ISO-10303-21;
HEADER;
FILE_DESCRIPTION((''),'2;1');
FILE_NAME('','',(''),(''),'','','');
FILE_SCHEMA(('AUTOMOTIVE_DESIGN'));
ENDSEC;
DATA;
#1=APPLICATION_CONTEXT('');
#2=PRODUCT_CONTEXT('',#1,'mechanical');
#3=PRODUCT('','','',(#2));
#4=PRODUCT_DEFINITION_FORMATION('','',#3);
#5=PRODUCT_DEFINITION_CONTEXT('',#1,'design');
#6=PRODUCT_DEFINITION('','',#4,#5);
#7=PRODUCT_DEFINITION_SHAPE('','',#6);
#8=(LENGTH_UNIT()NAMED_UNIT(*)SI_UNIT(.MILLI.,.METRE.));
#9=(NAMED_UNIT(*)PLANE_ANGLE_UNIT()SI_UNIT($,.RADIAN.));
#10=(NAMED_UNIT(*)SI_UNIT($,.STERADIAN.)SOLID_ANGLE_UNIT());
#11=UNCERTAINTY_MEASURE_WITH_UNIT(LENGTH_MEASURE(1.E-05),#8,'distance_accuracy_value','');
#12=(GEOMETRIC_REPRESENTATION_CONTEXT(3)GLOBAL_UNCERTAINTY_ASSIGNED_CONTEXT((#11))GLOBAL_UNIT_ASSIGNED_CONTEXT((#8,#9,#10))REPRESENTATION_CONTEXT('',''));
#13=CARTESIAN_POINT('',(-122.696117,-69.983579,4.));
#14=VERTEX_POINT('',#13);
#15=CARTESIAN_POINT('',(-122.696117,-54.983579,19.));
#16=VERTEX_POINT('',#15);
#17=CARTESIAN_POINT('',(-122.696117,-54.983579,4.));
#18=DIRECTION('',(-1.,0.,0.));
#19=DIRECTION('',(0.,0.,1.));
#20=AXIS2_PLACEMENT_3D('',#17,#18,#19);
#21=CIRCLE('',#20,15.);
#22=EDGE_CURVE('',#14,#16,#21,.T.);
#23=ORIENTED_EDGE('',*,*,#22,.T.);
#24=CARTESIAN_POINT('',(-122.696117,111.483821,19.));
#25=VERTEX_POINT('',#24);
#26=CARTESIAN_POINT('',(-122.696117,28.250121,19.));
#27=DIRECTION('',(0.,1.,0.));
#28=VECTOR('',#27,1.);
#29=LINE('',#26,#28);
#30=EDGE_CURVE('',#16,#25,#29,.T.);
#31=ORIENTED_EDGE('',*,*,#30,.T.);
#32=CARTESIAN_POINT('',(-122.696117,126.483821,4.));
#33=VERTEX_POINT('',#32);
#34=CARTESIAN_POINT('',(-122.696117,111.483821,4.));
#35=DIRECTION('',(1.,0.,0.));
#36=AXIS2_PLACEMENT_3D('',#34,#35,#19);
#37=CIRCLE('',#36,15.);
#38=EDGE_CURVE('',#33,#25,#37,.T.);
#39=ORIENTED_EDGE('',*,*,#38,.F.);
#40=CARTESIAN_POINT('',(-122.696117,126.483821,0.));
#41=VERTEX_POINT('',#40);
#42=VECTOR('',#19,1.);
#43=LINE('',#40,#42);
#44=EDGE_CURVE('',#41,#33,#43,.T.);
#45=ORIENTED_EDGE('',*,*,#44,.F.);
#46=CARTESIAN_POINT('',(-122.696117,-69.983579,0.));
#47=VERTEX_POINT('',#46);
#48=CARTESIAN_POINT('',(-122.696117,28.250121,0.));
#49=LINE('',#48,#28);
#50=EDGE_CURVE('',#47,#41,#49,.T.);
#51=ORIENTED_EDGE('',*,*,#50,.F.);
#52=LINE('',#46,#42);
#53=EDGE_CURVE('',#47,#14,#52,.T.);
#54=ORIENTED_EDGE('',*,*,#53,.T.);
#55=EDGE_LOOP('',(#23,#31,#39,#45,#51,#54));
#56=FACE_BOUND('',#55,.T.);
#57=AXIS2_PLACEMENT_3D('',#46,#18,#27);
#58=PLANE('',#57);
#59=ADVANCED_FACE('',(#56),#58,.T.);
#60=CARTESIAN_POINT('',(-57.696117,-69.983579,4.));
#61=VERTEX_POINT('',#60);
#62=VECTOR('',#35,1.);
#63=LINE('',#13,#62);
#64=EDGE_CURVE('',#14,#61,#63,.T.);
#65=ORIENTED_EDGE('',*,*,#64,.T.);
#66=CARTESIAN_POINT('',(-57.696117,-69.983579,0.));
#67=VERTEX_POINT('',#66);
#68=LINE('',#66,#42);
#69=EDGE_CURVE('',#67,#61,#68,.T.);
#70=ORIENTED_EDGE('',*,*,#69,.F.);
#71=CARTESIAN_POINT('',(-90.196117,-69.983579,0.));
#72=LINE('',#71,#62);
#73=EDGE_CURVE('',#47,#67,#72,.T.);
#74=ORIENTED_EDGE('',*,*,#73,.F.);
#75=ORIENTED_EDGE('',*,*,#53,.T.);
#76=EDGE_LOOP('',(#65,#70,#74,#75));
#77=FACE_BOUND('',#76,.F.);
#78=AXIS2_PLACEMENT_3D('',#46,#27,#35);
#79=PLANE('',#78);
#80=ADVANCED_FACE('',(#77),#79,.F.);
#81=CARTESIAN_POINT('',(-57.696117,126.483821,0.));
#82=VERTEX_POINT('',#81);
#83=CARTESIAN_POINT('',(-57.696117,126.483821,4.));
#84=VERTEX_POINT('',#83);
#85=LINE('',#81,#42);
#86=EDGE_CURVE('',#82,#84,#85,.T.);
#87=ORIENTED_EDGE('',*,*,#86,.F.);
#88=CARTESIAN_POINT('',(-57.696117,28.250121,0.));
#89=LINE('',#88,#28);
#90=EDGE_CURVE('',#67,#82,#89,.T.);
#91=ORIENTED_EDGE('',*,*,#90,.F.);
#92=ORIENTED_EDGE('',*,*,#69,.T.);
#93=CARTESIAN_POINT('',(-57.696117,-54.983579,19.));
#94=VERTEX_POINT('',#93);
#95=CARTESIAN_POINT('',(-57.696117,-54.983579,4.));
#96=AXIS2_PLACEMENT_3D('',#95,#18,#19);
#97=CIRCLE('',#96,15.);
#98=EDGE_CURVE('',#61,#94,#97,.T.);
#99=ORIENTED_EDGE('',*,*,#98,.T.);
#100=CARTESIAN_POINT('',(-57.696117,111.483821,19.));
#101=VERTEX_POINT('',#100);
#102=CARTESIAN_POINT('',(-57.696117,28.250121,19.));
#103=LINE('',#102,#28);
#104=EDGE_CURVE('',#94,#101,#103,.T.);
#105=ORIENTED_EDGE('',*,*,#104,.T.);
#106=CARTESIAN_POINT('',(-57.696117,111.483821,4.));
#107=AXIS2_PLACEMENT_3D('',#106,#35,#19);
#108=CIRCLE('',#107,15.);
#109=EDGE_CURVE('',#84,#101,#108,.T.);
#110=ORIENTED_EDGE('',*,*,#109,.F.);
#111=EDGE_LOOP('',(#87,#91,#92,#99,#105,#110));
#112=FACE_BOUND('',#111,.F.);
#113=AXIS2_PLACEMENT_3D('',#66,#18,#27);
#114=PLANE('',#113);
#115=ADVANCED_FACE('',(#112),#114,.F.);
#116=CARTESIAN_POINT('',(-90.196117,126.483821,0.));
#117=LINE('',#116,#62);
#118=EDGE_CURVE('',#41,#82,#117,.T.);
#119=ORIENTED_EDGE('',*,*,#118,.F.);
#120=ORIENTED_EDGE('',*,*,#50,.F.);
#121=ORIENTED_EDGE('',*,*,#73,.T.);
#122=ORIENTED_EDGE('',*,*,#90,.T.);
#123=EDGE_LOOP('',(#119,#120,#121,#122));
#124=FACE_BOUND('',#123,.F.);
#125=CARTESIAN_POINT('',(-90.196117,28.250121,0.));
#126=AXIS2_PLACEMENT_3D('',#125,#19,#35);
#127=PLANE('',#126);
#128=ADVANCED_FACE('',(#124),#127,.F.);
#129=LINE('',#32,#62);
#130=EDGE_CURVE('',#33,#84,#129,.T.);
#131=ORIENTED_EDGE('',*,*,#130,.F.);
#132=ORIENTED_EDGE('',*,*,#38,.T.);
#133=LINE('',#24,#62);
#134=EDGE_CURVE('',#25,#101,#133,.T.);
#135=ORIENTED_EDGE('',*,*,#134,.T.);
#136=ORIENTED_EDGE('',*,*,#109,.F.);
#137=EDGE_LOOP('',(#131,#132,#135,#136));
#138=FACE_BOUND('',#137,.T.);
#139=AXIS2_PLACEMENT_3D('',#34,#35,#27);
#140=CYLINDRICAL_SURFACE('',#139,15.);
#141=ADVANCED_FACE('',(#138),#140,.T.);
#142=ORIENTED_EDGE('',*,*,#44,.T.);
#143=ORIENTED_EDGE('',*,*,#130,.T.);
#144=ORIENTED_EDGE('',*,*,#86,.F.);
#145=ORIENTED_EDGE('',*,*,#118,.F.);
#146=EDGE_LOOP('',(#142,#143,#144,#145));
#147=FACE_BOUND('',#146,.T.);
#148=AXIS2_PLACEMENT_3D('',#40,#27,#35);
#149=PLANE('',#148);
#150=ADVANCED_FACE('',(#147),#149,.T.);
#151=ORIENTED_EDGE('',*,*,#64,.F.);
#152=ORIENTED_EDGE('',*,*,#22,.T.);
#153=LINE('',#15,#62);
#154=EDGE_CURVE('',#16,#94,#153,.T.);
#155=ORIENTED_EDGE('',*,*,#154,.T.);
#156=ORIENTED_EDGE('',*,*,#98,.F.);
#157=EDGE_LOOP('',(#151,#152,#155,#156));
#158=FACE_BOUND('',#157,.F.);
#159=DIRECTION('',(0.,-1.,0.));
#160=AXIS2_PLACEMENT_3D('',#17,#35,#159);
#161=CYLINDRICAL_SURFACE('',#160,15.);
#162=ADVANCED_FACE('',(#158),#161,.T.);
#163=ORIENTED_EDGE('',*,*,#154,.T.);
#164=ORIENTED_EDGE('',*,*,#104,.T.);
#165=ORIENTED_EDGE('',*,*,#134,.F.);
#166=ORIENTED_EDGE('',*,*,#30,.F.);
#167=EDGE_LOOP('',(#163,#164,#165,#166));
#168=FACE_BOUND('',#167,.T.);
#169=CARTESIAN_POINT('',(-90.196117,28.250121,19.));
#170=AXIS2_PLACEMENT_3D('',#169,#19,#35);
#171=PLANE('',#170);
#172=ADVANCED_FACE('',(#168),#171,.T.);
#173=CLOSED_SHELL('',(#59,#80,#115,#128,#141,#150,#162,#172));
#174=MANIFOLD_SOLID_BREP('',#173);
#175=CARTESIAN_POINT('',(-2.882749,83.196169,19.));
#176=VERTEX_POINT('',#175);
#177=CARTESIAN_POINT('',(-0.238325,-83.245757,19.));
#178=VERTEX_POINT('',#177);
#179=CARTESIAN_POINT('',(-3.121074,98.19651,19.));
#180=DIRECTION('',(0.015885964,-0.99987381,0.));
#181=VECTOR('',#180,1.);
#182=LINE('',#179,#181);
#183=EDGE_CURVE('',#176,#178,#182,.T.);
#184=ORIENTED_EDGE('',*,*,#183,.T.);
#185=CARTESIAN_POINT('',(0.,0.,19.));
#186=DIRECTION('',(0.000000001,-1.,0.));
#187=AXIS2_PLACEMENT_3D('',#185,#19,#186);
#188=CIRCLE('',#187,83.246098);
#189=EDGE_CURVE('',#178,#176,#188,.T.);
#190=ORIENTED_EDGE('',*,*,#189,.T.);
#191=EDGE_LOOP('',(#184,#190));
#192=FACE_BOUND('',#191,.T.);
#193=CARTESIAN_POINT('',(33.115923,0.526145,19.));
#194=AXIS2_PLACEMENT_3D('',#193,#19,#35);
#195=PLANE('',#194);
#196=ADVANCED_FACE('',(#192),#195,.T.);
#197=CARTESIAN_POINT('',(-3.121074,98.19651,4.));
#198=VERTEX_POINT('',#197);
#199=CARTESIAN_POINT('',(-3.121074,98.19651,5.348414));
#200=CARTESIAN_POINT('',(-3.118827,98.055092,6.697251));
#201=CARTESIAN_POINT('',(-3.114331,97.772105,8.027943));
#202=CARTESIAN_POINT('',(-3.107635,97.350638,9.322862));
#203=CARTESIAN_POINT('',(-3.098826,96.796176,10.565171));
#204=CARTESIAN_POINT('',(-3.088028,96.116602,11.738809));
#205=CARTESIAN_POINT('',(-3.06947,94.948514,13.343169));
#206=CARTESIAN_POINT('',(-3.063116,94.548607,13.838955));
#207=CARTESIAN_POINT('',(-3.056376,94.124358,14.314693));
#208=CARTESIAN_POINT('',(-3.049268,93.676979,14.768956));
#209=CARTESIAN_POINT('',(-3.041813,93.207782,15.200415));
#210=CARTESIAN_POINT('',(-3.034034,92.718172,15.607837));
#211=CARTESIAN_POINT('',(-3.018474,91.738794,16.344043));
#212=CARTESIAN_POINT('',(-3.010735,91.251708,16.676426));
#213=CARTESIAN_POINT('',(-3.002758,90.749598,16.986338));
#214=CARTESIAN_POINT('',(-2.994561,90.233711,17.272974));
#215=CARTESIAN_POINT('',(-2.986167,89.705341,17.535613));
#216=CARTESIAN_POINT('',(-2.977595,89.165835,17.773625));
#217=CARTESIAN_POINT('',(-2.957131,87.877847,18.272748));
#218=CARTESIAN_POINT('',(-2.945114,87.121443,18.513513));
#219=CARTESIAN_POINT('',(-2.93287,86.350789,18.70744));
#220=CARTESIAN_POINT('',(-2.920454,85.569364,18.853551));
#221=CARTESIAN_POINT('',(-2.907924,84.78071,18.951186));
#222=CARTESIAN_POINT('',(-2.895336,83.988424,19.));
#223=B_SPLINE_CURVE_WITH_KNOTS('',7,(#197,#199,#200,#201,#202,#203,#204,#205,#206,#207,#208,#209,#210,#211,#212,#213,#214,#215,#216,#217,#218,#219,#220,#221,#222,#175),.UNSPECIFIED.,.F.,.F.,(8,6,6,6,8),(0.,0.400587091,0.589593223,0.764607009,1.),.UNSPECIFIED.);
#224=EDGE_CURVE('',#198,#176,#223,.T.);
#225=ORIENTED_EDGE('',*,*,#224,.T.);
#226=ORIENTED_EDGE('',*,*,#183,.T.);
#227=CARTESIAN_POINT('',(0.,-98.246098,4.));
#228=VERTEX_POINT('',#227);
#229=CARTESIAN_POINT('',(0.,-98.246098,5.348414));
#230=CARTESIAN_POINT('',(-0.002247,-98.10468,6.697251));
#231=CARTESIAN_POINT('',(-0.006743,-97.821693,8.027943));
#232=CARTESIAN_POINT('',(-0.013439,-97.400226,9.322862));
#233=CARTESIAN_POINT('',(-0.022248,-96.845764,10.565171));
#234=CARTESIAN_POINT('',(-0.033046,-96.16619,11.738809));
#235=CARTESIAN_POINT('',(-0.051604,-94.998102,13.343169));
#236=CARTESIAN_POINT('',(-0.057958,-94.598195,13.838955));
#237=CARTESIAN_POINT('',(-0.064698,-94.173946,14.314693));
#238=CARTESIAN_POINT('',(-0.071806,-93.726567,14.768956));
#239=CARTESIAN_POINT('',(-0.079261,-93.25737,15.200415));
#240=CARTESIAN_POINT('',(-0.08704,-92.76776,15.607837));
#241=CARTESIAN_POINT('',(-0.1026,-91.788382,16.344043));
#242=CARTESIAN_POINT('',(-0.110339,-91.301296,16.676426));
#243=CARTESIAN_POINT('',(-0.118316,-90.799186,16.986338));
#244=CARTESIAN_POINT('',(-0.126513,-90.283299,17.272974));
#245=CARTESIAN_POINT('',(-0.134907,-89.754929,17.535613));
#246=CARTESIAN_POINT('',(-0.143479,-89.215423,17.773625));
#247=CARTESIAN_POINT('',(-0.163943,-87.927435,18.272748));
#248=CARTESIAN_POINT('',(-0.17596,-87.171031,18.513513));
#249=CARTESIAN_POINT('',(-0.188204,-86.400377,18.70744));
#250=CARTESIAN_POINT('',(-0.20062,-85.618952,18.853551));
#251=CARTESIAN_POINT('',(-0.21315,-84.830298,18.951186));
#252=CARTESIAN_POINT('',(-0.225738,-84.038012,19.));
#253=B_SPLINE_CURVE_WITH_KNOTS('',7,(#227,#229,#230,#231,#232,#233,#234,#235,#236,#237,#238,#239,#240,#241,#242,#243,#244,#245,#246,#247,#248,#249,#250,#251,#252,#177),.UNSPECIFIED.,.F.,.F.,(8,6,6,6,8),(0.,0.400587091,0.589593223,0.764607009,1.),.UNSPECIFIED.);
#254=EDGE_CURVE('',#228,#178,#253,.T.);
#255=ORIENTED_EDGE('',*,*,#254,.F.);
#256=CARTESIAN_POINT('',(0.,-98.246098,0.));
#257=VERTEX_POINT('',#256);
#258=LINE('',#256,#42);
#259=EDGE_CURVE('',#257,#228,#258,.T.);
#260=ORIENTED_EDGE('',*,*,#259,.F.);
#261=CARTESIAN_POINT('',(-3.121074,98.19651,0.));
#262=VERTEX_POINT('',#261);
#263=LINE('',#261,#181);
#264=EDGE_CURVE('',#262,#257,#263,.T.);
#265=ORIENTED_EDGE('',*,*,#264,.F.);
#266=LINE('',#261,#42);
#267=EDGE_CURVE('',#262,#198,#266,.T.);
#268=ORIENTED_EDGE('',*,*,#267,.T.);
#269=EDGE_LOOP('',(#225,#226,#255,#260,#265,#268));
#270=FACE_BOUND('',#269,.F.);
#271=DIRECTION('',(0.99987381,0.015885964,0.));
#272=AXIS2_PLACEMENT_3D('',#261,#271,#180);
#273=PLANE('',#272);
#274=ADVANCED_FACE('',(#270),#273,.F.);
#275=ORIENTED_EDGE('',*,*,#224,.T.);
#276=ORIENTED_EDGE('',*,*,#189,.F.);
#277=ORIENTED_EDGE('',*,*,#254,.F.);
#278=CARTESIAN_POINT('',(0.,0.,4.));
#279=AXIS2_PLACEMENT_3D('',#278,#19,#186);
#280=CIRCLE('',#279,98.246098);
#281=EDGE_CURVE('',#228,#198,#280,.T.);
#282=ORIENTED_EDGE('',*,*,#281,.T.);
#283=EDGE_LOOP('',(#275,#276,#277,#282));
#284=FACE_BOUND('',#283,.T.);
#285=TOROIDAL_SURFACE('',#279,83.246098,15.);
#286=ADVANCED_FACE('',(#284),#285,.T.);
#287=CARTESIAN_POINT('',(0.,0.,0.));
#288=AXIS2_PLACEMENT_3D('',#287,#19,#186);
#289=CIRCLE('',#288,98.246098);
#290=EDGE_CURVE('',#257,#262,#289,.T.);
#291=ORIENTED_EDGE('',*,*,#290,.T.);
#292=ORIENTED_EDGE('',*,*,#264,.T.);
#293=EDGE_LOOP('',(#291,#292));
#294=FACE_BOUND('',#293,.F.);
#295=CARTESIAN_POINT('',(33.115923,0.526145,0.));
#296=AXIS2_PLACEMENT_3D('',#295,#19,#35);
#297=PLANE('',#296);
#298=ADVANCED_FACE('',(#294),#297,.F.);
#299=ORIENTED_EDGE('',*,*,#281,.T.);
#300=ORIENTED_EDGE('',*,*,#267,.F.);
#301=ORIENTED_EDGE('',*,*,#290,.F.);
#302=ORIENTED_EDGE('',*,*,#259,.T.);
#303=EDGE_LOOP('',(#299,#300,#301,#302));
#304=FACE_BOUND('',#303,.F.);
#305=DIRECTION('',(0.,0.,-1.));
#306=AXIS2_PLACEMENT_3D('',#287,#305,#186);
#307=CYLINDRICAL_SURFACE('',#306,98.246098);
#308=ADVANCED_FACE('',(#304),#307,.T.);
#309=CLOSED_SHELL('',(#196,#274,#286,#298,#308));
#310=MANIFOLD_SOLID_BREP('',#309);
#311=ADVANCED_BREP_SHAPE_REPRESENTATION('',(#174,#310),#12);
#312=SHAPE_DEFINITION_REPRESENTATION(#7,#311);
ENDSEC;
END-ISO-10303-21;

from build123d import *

# Parameters (mm, degrees)
F1_DEPTH = 19
F2_W     = 65
F2_H     = 196.4674
F3_DEPTH = 19
F4_R     = 15
F4_2_R   = 15


with BuildPart() as f1:
    # F0 (on Top) → F1 (new body)
    with BuildSketch(Plane.XY):
        with BuildLine():
            ThreePointArc((0, -98.246098), (98.2337, 1.560734), (-3.121074, 98.19651))
            Line((-3.121074, 98.19651), (0, -98.246098))
        make_face()
    extrude(amount=F1_DEPTH)

    # F4#2
    f4_2_edges = [f1.edges().sort_by_distance(p)[0] for p in [
        (98.2337, 1.560734, 19),
    ]]
    fillet(f4_2_edges, radius=F4_2_R)


with BuildPart() as f3:
    # F2 (on Top) → F3 (new body)
    with BuildSketch(Plane.XY):
        with Locations((-90.196117, 28.250121)):
            Rectangle(F2_W, F2_H)
    extrude(amount=F3_DEPTH)

    # F4
    f4_edges = [f3.edges().sort_by_distance(p)[0] for p in [
        (-90.196117, 126.483821, 19),
        (-90.196117, -69.983579, 19),
    ]]
    fillet(f4_edges, radius=F4_R)


solid = Compound([f1.part, f3.part])
